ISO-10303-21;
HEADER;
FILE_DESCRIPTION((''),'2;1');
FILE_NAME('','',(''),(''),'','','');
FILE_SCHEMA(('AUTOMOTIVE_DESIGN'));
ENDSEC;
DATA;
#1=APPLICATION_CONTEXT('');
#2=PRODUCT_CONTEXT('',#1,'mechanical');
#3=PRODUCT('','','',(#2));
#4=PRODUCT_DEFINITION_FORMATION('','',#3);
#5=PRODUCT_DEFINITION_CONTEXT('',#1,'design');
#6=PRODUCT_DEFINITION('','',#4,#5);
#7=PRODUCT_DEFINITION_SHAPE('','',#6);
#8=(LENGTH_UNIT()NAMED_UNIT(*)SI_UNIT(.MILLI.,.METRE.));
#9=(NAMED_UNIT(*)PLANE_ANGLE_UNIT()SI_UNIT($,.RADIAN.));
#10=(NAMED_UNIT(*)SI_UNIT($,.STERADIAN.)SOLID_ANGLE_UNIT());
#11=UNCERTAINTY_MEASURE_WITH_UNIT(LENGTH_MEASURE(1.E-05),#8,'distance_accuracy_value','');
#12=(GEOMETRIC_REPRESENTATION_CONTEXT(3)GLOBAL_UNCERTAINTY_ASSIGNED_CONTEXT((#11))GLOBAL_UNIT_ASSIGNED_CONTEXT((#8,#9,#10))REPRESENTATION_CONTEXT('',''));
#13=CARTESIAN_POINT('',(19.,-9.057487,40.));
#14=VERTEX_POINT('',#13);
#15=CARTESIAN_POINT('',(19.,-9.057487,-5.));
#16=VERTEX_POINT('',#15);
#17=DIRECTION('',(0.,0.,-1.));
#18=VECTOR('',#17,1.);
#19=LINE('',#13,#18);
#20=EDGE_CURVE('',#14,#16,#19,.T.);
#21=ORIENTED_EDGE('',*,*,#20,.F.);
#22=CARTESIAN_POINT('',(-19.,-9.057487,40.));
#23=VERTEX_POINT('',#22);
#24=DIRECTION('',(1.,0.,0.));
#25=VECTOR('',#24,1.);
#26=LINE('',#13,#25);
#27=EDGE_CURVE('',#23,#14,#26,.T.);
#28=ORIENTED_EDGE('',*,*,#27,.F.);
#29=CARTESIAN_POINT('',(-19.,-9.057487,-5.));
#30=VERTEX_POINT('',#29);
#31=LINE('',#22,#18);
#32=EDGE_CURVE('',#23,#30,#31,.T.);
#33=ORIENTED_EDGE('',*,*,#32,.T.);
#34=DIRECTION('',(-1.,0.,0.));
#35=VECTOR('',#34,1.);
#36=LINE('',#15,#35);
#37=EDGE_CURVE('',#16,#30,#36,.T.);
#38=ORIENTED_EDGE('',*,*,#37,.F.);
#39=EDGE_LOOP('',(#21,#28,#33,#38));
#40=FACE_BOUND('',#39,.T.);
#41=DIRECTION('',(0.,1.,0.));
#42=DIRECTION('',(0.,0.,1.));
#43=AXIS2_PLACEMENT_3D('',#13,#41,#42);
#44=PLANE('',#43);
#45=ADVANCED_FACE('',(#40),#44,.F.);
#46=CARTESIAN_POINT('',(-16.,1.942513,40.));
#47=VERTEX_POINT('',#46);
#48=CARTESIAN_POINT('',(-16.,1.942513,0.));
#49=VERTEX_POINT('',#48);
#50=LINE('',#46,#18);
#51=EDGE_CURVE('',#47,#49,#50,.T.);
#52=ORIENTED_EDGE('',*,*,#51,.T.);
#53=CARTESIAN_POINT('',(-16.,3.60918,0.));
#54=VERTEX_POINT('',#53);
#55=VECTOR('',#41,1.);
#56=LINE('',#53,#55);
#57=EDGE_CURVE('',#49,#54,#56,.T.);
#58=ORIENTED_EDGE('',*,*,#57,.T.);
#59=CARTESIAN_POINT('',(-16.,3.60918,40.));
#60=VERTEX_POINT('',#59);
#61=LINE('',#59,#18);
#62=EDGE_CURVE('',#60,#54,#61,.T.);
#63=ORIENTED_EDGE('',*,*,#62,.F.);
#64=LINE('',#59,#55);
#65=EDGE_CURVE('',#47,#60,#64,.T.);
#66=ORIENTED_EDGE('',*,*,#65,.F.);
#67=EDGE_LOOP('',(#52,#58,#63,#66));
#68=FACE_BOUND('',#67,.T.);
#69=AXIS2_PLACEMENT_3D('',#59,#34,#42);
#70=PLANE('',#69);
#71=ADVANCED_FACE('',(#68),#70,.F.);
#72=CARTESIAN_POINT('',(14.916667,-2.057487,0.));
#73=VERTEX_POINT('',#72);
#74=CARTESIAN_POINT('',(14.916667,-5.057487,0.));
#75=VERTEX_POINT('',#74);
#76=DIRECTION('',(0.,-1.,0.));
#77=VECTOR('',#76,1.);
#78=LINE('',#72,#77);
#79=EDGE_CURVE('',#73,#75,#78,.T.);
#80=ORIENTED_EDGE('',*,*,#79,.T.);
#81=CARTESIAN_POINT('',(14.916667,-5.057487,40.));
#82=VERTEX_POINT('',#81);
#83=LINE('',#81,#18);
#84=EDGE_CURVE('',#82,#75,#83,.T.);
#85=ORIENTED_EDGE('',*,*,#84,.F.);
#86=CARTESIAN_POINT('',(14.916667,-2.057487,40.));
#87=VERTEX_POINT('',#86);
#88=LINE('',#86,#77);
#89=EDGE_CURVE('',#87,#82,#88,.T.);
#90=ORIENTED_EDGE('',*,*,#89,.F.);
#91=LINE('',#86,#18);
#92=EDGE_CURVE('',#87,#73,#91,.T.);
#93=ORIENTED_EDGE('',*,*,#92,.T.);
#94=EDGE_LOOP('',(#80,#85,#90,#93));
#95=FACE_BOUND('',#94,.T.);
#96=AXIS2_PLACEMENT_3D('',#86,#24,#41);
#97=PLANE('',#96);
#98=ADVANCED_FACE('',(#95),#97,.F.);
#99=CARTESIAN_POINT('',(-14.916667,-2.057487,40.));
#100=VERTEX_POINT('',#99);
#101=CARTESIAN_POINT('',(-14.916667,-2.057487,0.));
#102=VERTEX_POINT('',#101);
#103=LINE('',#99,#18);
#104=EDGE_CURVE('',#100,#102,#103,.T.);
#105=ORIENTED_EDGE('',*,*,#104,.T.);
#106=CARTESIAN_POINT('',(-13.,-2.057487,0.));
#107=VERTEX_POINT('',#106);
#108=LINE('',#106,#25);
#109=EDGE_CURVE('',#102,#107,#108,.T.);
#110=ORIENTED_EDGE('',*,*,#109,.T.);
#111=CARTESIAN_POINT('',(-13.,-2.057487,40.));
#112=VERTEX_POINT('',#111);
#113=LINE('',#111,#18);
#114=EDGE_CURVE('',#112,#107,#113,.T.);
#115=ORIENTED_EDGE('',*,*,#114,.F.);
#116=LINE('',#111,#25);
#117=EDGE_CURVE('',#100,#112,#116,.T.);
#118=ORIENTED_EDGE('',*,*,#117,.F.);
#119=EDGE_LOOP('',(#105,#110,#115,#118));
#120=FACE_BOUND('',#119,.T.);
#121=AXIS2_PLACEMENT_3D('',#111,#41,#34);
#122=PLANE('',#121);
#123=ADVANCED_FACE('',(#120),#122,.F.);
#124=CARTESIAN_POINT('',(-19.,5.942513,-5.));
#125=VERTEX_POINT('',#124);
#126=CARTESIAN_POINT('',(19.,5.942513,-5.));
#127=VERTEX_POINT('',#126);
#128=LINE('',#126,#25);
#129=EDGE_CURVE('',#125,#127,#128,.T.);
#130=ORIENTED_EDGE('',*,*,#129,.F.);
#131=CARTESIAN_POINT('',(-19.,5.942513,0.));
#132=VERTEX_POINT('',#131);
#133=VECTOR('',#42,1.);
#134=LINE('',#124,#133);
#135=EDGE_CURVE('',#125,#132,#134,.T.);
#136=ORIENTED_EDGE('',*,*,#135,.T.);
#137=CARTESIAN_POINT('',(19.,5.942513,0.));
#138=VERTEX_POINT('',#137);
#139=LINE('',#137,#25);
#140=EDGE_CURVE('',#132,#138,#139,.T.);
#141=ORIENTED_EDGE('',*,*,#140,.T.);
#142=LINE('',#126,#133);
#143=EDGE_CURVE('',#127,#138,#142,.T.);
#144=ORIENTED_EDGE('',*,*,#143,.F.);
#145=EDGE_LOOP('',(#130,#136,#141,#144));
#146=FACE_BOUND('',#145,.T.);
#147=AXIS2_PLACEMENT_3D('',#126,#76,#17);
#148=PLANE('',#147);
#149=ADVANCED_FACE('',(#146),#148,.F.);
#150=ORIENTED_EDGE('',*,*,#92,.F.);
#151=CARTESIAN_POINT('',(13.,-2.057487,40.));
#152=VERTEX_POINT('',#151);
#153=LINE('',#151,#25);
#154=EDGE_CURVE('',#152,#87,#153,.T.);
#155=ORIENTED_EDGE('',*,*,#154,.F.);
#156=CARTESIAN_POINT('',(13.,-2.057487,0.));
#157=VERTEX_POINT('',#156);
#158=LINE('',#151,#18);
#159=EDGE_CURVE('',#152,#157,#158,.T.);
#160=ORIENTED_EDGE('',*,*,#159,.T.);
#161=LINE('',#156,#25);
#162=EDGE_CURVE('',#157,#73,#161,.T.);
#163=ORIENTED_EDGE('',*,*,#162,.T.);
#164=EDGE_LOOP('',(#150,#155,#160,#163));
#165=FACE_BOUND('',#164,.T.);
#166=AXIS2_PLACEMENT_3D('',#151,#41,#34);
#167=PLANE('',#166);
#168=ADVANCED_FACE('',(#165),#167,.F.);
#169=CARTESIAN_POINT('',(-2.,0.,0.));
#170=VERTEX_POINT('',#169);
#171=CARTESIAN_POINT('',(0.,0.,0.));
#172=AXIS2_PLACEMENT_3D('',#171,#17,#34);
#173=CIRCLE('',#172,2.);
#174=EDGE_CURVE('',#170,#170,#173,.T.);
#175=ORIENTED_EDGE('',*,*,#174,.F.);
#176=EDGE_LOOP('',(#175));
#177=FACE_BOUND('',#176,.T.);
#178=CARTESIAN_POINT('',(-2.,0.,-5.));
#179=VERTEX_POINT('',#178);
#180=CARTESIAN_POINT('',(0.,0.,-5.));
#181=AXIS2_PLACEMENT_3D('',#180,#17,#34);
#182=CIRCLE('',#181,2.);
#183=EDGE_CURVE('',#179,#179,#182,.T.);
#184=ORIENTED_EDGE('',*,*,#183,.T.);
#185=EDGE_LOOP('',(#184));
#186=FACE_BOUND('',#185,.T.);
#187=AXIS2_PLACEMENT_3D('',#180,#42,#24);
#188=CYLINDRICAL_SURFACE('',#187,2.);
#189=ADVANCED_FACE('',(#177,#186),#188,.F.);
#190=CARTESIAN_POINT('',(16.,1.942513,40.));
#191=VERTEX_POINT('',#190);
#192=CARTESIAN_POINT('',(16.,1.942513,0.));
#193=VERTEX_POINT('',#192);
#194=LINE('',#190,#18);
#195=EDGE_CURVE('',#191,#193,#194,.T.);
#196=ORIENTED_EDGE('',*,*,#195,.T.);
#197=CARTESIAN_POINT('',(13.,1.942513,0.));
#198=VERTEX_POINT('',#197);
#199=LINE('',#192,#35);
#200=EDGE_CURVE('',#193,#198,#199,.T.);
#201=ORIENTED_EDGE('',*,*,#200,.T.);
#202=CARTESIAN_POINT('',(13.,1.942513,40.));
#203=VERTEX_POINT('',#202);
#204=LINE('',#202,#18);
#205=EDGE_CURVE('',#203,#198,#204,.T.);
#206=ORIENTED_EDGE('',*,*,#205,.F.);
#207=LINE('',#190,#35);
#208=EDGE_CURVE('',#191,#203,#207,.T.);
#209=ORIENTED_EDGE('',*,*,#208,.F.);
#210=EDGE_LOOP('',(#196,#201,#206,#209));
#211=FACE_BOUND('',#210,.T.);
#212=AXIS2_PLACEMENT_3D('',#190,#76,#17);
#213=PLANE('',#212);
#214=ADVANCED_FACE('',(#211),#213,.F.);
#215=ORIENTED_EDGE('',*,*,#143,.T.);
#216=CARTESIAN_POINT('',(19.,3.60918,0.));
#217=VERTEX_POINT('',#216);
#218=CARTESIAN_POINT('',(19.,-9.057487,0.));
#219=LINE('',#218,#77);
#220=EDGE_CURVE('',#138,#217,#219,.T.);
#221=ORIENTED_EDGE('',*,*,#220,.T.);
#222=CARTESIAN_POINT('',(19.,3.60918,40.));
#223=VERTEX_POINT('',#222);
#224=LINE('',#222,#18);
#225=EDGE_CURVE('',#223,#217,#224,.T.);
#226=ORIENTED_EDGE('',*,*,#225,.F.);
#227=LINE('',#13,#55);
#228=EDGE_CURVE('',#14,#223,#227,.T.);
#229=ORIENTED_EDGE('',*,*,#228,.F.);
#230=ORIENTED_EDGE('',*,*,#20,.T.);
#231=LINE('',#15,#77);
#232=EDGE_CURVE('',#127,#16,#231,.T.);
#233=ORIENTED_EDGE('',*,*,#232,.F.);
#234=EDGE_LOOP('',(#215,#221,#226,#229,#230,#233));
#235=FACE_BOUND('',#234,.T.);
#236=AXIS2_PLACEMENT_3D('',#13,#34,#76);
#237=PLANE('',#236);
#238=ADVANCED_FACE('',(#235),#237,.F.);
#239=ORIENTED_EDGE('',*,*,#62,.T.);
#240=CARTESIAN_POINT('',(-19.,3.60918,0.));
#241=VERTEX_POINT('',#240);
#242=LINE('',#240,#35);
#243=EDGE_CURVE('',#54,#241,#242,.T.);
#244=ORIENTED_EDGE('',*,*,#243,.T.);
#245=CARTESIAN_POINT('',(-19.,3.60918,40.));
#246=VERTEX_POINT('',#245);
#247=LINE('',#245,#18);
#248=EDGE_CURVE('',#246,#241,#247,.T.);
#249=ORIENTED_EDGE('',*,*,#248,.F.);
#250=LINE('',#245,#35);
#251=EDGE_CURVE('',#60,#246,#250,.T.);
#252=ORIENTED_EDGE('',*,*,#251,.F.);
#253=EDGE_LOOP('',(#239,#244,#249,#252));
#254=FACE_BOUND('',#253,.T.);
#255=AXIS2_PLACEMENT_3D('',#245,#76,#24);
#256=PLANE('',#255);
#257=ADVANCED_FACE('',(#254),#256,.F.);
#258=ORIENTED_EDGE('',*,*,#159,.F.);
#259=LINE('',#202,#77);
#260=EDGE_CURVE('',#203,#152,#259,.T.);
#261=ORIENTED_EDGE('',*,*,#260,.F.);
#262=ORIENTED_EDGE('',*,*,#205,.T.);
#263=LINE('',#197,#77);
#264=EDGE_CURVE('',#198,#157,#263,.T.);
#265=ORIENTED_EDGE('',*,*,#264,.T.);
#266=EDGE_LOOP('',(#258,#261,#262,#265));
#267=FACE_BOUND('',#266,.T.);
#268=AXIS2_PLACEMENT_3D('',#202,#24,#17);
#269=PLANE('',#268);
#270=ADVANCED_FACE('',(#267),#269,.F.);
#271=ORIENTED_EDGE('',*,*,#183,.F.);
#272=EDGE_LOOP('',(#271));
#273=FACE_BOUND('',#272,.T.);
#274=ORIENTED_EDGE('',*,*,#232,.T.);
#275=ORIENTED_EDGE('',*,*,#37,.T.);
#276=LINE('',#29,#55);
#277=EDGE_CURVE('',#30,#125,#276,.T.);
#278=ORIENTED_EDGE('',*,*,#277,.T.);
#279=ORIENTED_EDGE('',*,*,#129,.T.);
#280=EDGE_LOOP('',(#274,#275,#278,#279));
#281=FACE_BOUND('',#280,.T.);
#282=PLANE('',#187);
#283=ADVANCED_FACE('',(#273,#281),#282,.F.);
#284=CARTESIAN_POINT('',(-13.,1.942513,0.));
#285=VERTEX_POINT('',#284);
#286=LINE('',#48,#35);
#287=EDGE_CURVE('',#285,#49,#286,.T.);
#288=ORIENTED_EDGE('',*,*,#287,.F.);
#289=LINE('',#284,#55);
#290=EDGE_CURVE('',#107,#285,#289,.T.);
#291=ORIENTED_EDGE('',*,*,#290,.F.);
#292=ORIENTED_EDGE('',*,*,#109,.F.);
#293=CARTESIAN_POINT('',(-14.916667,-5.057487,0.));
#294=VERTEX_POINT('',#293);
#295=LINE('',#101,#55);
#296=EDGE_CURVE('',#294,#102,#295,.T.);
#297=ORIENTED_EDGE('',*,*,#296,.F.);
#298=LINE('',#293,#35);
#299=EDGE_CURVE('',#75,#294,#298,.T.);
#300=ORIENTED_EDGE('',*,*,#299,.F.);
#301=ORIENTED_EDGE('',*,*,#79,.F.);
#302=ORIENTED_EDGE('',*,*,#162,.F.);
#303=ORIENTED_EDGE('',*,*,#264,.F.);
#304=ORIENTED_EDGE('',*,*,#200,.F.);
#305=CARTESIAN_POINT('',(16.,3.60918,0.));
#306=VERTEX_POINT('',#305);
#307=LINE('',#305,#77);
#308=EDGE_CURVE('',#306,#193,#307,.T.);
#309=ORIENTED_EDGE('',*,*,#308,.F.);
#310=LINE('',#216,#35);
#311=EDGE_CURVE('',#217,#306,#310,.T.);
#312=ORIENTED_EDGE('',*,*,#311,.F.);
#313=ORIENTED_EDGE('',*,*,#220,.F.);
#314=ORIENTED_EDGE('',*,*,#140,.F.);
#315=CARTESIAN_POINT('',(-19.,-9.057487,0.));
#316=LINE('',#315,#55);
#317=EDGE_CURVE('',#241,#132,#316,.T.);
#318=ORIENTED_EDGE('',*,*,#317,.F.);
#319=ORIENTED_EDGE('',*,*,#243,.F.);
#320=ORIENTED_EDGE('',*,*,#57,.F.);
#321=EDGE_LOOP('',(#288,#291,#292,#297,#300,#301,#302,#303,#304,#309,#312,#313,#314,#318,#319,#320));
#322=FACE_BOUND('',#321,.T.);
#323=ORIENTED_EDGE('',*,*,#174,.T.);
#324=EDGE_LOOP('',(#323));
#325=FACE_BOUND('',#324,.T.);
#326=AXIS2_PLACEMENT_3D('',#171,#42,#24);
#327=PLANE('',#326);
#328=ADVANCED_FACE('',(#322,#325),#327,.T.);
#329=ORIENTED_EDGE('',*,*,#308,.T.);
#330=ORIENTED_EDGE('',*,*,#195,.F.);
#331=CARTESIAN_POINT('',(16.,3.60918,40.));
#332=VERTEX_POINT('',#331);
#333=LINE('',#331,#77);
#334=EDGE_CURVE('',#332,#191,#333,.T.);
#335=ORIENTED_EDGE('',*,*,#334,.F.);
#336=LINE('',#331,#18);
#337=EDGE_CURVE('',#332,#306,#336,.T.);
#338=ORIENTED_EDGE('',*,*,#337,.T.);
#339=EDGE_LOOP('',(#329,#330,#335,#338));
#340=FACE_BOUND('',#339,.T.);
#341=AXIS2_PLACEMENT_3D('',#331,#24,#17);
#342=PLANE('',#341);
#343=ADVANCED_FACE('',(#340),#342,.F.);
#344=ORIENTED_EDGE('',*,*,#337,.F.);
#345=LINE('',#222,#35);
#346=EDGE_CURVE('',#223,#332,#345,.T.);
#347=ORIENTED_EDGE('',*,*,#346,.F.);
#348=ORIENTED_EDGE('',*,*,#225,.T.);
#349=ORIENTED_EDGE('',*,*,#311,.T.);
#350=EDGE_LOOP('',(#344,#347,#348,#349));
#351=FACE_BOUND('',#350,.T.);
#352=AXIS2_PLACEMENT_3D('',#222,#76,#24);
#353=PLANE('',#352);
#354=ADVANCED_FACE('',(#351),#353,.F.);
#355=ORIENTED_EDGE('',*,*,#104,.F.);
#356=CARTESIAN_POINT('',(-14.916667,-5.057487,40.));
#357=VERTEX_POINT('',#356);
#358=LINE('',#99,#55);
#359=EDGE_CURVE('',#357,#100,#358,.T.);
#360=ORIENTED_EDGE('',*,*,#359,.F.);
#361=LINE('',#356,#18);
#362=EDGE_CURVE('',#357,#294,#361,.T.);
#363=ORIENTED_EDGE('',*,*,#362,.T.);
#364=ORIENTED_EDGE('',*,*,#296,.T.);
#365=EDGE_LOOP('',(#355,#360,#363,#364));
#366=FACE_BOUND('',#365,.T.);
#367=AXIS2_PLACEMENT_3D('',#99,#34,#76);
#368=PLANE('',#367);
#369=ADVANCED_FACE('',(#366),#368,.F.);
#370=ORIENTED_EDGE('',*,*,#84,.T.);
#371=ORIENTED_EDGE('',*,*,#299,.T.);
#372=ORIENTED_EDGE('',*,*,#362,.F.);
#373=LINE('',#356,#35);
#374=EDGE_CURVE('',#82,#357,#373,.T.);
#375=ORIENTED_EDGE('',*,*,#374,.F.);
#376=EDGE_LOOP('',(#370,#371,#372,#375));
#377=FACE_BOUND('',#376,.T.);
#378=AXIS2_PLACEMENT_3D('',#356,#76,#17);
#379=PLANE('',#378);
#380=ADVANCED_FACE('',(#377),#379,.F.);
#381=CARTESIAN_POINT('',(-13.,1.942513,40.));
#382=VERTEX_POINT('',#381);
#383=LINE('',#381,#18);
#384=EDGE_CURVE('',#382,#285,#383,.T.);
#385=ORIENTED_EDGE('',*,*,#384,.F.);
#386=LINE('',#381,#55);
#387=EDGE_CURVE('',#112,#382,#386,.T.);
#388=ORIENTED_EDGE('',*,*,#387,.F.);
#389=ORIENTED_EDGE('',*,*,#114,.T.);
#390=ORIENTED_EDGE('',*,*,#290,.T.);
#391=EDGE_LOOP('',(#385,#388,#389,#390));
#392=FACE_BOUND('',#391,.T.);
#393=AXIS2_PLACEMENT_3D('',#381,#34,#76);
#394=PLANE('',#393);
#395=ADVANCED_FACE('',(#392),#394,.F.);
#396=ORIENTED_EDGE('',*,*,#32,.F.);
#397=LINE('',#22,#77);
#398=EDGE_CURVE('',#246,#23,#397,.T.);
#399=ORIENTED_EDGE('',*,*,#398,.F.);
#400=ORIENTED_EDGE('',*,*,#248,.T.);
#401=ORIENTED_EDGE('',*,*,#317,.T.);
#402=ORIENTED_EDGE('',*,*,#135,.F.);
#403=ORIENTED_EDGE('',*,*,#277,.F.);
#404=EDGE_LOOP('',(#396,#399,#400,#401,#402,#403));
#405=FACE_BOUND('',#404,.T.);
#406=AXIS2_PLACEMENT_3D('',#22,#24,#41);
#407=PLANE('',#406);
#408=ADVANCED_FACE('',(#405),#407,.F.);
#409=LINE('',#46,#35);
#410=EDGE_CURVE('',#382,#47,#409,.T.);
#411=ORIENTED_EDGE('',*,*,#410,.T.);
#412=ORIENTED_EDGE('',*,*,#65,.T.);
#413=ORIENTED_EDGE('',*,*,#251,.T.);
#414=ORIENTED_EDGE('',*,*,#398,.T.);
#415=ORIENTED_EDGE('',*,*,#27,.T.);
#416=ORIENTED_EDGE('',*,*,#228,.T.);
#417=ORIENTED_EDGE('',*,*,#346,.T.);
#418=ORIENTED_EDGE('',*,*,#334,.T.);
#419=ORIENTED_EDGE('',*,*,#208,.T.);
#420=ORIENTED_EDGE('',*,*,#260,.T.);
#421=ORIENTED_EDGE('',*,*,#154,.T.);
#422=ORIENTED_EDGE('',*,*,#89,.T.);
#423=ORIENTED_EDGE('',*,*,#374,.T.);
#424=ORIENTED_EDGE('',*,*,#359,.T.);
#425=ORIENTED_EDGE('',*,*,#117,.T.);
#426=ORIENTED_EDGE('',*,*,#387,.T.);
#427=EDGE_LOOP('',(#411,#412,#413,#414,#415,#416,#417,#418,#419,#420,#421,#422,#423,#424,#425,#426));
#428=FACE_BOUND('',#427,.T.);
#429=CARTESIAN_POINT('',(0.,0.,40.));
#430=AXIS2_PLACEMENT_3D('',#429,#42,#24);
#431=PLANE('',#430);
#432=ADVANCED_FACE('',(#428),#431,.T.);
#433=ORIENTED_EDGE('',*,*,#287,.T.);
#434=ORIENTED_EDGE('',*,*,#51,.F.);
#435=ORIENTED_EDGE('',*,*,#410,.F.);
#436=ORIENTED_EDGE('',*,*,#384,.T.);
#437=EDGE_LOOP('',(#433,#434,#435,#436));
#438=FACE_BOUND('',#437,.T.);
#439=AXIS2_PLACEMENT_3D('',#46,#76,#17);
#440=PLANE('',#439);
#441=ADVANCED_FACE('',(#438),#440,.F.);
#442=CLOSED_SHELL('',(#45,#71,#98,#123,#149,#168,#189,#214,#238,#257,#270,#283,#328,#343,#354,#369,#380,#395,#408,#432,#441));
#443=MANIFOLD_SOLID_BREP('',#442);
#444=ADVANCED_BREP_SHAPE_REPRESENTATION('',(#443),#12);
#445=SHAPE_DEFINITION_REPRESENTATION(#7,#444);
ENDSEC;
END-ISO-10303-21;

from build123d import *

# Parameters (mm, degrees)
AUFSATZ_LINEAR_AUSTRAGEN1_DEPTH = 40
SKIZZE2_W                       = 38
SKIZZE2_H                       = 15
SKIZZE2_R                       = 2
AUFSATZ_LINEAR_AUSTRAGEN2_DEPTH = 5


with BuildPart() as part:
    # Skizze1 → Aufsatz-Linear austragen1 (new body)
    with BuildSketch(Plane.XY):
        Polygon((-16, 1.942512926), (-13, 1.942512926), (-13, -2.057487074), (-14.916666667, -2.057487074), (-14.916666667, -5.057487074), (14.916666667, -5.057487074), (14.916666667, -2.057487074), (13, -2.057487074), (13, 1.942512926), (16, 1.942512926), (16, 3.609179593), (19, 3.609179593), (19, -9.057487074), (-19, -9.057487074), (-19, 3.609179593), (-16, 3.609179593), align=None)
    extrude(amount=AUFSATZ_LINEAR_AUSTRAGEN1_DEPTH)

    # Skizze2 → Aufsatz-Linear austragen2 (add)
    with BuildSketch(Plane(origin=(0, 0, 0), x_dir=(-1, 0, 0), z_dir=(0, 0, -1))):
        with Locations((0, -1.557487074)):
            Rectangle(SKIZZE2_W, SKIZZE2_H)
        Circle(SKIZZE2_R, mode=Mode.SUBTRACT)
    extrude(amount=AUFSATZ_LINEAR_AUSTRAGEN2_DEPTH)


solid = part.part
